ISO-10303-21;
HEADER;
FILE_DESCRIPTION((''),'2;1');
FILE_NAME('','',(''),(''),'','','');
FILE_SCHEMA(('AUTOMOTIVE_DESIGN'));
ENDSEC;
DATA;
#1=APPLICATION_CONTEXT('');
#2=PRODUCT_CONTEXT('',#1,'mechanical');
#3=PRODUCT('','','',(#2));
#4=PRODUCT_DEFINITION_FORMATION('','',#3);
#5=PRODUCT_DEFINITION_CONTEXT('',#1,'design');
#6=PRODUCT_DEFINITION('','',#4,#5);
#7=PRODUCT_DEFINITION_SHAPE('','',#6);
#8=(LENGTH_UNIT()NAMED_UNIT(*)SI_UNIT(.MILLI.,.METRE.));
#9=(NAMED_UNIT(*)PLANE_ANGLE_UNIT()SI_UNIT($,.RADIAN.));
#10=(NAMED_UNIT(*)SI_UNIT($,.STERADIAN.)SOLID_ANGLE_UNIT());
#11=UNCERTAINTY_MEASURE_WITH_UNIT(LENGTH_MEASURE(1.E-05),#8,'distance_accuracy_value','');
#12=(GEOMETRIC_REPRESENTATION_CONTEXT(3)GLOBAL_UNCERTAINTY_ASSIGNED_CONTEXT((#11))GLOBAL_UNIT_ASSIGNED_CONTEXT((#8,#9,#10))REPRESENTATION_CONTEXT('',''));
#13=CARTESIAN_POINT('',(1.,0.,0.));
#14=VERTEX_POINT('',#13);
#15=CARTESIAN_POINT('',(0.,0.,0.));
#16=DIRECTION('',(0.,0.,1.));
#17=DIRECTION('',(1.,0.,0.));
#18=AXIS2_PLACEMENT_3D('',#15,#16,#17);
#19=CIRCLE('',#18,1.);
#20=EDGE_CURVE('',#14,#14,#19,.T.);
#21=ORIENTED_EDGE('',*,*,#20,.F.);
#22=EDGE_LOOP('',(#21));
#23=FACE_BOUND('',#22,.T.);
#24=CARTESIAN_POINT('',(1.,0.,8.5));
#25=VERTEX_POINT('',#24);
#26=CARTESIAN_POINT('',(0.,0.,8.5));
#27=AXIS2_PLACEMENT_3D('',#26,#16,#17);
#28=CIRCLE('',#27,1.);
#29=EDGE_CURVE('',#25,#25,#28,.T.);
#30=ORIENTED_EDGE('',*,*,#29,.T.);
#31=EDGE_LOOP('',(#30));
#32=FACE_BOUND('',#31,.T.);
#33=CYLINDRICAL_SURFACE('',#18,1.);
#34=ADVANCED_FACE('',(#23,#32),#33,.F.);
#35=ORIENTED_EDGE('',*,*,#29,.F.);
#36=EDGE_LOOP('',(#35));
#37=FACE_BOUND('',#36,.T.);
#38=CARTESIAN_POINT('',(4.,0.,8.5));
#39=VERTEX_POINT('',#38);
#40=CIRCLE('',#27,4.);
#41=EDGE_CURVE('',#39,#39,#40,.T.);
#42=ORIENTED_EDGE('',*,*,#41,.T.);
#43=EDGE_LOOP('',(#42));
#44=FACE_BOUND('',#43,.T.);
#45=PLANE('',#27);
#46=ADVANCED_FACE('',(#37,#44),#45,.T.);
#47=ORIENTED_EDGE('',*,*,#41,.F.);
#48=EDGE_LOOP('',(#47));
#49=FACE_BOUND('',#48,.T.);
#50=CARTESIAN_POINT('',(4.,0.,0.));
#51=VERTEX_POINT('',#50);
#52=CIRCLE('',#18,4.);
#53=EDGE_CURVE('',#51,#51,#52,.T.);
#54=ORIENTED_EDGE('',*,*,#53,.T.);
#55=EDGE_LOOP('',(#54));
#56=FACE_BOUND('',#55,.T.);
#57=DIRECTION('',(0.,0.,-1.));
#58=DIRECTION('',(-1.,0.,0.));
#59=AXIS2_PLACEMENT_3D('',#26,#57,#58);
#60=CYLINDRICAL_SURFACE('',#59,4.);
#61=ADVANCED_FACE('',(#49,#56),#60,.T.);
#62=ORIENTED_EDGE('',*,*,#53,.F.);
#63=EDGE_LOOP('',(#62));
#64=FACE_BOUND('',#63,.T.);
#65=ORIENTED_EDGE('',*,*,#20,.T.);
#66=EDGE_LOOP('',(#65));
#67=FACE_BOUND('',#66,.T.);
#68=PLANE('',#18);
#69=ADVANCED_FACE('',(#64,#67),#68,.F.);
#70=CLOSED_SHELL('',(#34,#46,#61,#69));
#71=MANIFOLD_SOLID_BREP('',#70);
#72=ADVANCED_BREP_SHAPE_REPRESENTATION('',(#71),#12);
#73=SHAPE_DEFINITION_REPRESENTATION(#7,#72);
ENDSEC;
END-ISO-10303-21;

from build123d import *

# Parameters (mm, degrees)
CROQUIS1_R              = 4
SALIENTE_EXTRUIR1_DEPTH = 8.5
CROQUIS2_R              = 1
CORTAR_EXTRUIR1_DEPTH   = 11.210288928


with BuildPart() as part:
    # Croquis1 → Saliente-Extruir1 (new body)
    with BuildSketch(Plane.XY):
        Circle(CROQUIS1_R)
    extrude(amount=SALIENTE_EXTRUIR1_DEPTH)

    # Croquis2 → Cortar-Extruir1 (cut, through all)
    with BuildSketch(Plane.XY.offset(8.5)):
        Circle(CROQUIS2_R)
    extrude(amount=-CORTAR_EXTRUIR1_DEPTH, mode=Mode.SUBTRACT)


solid = part.part
